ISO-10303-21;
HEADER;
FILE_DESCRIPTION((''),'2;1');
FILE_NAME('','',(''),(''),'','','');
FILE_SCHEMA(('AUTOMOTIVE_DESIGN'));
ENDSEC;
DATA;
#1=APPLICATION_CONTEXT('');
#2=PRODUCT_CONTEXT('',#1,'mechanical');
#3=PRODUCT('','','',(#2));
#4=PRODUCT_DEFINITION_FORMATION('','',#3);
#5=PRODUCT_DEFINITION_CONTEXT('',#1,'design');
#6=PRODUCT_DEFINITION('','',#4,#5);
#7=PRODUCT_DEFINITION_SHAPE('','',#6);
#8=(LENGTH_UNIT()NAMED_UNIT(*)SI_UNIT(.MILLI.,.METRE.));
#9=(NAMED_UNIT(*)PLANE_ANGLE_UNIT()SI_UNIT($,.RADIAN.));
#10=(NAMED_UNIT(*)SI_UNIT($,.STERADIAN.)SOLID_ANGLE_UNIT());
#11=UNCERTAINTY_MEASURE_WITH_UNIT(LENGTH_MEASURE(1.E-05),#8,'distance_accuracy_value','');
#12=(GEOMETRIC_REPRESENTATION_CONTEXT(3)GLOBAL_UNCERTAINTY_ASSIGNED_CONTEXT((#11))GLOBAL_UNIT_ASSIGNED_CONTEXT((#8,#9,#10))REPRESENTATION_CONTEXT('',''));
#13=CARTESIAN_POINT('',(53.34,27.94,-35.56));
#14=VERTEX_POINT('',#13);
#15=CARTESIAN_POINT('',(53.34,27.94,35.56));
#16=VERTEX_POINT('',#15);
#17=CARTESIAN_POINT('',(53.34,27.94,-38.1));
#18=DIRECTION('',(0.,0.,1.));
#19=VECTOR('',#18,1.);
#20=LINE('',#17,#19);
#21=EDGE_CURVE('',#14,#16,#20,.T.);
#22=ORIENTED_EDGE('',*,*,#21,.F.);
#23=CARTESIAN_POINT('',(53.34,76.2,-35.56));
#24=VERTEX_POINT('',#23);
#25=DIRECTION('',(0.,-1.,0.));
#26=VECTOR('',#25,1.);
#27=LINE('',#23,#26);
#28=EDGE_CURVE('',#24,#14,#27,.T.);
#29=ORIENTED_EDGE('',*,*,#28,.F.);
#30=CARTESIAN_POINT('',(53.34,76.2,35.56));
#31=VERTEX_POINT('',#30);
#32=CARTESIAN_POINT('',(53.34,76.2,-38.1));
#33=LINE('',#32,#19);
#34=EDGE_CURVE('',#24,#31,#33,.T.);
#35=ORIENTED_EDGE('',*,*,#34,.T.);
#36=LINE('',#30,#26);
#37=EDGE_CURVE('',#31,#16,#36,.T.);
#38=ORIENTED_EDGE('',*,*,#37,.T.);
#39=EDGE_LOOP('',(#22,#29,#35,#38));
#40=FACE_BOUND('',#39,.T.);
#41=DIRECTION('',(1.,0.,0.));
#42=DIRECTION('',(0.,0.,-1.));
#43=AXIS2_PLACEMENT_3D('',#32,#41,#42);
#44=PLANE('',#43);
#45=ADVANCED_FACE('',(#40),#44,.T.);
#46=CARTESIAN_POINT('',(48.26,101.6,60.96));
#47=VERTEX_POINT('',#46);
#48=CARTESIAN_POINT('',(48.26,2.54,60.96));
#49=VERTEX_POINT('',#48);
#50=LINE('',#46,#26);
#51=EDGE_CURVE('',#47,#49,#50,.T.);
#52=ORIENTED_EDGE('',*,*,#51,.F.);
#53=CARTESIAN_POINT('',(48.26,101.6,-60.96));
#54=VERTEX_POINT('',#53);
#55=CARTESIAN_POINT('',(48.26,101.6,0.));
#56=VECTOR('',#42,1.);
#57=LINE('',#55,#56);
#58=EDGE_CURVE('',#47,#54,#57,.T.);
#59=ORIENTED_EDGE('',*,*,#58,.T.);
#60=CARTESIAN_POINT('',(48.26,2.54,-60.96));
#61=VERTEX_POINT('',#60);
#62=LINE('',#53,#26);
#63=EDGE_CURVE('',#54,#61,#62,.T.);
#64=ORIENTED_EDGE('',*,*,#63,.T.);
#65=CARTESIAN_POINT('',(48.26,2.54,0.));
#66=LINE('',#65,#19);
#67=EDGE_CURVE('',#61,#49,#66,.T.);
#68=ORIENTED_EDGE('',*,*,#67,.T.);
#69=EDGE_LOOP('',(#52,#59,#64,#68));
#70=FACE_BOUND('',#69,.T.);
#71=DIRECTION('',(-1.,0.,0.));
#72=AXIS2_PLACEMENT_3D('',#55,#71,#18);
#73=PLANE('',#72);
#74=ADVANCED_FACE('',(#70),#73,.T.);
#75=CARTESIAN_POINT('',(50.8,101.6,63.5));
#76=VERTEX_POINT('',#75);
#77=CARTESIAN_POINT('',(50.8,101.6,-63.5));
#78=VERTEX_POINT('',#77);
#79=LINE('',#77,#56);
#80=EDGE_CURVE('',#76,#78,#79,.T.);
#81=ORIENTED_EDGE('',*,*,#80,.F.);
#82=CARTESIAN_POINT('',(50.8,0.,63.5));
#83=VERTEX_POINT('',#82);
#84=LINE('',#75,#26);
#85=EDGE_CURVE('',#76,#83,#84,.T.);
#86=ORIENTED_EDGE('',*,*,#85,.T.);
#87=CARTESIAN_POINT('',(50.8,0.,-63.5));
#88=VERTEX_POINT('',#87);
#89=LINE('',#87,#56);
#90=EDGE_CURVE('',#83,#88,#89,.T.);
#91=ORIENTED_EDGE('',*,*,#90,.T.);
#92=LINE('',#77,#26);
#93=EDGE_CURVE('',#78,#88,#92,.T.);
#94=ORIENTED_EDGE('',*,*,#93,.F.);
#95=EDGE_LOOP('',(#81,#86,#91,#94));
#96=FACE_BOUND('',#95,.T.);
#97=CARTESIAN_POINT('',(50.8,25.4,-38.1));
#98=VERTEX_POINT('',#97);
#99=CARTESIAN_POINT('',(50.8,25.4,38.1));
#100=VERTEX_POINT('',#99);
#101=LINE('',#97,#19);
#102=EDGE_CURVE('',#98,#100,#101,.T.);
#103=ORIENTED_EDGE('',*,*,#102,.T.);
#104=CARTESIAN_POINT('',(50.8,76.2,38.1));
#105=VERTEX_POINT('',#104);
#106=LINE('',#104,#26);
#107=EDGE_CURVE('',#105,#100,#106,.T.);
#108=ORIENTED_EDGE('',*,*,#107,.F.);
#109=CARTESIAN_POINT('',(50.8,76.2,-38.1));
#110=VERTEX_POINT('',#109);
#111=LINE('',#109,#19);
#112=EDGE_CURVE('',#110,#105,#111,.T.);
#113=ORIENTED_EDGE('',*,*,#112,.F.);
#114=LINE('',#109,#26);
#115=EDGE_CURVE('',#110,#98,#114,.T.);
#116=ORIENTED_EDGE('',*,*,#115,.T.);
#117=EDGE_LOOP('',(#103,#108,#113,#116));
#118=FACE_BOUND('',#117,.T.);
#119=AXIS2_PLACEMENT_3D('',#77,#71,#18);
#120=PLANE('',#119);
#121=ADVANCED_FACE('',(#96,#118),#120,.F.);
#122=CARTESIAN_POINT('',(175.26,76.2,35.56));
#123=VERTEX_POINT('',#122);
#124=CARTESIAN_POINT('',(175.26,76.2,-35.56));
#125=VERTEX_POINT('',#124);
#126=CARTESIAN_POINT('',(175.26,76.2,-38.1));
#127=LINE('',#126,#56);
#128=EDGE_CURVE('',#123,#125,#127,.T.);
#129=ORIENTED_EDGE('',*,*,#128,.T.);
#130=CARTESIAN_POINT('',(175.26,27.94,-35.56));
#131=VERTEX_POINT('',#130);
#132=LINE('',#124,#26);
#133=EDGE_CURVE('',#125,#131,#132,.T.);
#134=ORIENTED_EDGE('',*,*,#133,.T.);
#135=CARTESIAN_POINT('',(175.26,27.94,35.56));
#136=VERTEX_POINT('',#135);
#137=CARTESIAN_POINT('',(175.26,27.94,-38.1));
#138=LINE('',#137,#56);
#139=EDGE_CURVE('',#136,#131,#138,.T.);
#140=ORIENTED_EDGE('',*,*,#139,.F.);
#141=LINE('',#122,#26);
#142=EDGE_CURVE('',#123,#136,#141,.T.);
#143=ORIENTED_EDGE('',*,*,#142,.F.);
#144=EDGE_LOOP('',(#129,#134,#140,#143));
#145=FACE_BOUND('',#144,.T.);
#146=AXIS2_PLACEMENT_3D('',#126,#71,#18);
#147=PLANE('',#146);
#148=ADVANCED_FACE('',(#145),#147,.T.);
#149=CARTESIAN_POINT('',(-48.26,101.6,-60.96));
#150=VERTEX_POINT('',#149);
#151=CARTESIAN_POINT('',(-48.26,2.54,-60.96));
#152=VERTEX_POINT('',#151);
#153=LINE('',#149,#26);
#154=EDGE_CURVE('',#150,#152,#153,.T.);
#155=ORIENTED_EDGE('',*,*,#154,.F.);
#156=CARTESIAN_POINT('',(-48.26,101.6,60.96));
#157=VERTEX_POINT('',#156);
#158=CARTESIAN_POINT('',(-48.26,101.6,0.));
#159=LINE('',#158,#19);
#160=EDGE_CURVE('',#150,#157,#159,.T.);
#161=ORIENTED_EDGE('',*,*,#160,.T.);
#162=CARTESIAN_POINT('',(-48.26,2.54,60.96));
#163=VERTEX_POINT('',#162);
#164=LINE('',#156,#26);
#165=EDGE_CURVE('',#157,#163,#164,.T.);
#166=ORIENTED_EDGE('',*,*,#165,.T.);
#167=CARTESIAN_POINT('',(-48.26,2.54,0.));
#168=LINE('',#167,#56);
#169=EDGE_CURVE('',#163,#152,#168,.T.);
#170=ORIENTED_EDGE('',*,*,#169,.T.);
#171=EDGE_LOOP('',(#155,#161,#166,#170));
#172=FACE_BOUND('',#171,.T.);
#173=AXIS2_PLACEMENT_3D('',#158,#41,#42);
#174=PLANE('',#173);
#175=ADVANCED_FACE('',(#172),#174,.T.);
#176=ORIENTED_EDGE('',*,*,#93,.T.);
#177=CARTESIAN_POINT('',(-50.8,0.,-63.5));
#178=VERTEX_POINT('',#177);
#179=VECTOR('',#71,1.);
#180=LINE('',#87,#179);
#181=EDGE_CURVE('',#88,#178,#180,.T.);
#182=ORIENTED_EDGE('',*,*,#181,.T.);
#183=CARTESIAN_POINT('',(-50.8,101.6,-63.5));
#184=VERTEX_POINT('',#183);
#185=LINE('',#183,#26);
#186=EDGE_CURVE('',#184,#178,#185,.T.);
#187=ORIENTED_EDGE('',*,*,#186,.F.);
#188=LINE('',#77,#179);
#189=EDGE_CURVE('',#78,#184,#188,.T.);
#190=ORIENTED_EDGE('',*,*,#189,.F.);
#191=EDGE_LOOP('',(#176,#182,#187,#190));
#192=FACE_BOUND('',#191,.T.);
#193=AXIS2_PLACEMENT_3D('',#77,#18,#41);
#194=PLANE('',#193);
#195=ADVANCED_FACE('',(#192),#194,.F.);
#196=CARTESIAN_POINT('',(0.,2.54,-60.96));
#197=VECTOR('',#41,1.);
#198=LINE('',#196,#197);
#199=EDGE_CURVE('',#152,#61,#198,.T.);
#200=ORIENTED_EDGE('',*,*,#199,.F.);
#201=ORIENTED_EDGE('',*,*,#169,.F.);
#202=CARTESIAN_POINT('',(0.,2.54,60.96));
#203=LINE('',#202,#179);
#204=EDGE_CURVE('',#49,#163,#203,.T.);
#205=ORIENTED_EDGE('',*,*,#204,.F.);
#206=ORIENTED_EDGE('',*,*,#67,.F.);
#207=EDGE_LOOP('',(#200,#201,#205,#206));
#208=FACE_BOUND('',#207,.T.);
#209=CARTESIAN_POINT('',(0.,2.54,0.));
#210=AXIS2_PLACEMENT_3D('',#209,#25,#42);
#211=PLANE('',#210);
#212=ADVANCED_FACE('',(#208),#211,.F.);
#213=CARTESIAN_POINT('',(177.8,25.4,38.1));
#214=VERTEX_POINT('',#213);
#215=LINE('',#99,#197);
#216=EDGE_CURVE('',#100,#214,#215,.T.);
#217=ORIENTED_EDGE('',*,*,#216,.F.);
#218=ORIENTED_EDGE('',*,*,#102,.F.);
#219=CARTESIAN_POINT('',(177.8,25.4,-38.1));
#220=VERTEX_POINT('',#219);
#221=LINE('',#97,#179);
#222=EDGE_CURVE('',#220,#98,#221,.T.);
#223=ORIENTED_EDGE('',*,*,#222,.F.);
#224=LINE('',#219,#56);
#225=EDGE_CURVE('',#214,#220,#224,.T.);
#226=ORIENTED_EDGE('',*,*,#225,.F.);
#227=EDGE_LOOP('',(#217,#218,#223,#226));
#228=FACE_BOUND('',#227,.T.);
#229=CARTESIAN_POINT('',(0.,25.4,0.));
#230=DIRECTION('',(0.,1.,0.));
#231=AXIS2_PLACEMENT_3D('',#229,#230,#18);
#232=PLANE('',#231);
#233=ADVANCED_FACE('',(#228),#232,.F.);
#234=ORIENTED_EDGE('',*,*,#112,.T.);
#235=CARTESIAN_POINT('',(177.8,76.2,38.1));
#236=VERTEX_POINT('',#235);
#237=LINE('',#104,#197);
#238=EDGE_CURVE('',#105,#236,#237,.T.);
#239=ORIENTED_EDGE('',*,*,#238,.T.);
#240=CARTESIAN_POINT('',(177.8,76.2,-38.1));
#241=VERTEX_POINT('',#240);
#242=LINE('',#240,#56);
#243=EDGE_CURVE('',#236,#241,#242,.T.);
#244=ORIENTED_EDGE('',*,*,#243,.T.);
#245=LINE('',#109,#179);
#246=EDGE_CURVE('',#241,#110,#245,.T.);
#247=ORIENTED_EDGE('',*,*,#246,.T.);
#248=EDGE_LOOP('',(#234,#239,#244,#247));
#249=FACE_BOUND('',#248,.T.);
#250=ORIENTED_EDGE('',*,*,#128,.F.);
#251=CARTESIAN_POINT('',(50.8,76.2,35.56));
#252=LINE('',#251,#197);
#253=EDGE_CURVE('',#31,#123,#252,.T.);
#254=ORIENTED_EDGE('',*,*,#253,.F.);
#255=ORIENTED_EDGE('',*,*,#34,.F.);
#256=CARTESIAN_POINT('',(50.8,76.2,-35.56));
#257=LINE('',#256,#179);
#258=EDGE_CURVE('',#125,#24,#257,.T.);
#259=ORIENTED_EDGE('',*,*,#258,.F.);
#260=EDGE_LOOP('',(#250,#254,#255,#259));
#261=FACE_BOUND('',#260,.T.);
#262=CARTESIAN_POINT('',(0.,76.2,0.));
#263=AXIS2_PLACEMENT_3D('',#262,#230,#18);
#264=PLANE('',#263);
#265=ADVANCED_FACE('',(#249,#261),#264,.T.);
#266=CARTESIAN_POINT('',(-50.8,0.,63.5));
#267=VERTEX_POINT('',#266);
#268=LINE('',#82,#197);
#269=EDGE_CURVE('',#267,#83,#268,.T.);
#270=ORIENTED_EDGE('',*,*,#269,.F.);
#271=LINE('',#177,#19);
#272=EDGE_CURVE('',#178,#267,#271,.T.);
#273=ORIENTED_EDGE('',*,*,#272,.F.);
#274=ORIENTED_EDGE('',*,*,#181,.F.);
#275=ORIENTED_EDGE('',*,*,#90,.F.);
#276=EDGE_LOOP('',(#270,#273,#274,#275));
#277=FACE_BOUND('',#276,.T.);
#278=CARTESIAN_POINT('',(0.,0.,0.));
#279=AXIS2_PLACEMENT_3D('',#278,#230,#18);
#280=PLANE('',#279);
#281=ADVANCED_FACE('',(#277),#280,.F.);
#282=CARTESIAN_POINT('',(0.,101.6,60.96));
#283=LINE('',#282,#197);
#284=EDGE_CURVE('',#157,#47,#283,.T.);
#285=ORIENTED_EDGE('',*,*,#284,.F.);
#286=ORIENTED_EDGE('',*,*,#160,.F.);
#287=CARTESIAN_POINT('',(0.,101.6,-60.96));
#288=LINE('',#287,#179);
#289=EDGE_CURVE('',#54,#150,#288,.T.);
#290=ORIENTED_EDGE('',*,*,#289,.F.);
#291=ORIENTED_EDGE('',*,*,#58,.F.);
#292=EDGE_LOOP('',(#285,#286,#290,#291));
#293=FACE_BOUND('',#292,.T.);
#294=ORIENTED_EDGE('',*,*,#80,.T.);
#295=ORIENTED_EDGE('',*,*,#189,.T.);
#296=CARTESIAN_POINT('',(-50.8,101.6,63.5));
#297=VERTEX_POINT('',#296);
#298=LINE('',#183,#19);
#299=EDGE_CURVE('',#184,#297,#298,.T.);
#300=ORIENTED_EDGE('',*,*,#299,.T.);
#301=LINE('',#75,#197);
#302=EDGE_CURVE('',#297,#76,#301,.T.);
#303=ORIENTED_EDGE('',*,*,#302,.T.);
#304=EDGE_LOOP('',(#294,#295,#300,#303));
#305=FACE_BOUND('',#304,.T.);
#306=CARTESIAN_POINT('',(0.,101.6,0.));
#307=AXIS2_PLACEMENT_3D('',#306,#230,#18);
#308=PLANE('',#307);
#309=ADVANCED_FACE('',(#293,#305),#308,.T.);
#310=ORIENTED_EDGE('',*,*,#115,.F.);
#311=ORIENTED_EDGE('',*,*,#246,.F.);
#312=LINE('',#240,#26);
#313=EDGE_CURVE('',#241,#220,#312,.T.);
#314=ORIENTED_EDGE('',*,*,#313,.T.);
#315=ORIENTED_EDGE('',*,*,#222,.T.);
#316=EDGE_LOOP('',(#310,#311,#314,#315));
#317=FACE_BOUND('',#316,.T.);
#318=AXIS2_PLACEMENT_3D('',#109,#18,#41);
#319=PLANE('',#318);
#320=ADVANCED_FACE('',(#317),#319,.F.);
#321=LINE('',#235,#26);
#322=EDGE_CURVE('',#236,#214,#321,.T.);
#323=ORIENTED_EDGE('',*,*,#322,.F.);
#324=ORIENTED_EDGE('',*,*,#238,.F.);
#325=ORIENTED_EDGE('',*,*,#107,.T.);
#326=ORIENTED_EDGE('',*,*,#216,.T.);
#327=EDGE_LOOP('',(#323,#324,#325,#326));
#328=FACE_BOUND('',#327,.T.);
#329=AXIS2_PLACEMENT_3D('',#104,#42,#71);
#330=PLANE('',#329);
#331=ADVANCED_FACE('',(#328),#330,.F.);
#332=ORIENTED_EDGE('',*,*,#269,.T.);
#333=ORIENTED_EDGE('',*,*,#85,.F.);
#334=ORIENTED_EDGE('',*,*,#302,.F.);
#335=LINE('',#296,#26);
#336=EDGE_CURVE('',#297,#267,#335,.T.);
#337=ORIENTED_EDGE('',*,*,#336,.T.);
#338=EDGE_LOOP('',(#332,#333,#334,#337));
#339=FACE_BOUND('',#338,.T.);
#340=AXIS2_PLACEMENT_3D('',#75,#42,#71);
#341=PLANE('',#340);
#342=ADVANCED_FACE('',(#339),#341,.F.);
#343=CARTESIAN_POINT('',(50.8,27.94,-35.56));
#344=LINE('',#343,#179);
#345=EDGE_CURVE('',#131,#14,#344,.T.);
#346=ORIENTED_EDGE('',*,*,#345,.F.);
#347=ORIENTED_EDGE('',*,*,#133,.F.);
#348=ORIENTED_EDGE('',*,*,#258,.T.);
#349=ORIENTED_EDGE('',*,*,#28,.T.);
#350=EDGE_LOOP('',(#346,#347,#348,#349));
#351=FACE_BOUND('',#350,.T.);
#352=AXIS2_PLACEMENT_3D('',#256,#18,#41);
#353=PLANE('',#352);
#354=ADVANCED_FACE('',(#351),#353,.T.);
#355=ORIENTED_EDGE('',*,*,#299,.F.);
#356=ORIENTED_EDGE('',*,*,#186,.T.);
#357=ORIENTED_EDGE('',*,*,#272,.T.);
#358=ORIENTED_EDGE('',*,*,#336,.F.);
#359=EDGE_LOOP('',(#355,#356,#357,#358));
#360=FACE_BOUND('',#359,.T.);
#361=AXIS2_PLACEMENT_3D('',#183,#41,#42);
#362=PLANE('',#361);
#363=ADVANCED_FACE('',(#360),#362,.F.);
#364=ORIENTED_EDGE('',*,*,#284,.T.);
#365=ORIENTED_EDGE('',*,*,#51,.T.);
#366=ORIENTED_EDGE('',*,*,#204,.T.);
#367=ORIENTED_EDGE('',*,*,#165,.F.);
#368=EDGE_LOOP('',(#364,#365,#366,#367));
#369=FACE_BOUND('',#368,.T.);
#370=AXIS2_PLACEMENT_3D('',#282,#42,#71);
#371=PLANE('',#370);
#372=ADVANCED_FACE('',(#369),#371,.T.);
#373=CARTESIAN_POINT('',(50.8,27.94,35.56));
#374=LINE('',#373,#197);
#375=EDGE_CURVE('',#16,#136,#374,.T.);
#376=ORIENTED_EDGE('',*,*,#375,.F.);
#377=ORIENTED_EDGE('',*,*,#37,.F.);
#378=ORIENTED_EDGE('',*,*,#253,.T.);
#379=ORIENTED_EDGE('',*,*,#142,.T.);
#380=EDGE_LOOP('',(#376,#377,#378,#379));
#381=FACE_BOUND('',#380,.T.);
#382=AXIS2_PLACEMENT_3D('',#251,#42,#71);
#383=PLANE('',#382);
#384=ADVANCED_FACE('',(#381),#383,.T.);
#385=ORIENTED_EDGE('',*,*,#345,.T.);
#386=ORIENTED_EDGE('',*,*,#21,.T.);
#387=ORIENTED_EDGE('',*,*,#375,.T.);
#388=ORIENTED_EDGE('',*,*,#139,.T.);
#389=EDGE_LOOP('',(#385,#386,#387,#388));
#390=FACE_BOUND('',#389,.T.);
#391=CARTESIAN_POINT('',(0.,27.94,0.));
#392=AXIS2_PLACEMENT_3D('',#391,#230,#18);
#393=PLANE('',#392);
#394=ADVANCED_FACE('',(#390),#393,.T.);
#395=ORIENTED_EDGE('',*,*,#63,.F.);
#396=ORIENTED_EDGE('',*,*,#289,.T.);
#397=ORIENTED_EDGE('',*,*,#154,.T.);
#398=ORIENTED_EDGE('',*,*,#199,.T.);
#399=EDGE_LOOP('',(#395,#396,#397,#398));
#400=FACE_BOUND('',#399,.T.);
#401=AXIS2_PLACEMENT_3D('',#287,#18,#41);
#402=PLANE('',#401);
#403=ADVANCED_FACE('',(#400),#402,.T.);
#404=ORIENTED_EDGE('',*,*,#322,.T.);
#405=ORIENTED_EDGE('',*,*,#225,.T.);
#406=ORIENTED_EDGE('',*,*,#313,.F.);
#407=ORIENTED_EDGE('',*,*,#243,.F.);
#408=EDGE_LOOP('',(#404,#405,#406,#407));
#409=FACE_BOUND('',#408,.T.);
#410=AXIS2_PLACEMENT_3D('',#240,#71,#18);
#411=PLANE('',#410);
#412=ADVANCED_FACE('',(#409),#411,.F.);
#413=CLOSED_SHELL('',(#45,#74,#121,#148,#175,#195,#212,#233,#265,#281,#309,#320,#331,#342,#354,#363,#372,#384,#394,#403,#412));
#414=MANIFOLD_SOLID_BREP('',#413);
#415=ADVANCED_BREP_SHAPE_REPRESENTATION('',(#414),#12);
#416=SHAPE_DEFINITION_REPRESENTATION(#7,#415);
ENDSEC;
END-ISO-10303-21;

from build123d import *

# Parameters (mm, degrees)
SKETCH1_W           = 101.6
SKETCH1_H           = 127
SKETCH1_W_2         = 96.52
SKETCH1_H_2         = 121.92
EXTRUDE_THIN1_DEPTH = 101.6
SKETCH1_2_W         = 101.6
SKETCH1_2_H         = 127
BOSS_EXTRUDE1_DEPTH = 2.54
SKETCH2_W           = 127
SKETCH2_H           = 76.2
SKETCH2_W_2         = 121.92
SKETCH2_H_2         = 71.12
EXTRUDE_THIN2_DEPTH = 50.8
SKETCH2_2_W         = 127
SKETCH2_2_H         = 76.2
BOSS_EXTRUDE2_DEPTH = 2.54


with BuildPart() as part:
    # Sketch1 → Extrude-Thin1 (new body)
    with BuildSketch(Plane(origin=(0, 0, 0), x_dir=(1, 0, 0), z_dir=(0, 1, 0))):
        Rectangle(SKETCH1_W, SKETCH1_H)
        Rectangle(SKETCH1_W_2, SKETCH1_H_2, mode=Mode.SUBTRACT)
    extrude(amount=EXTRUDE_THIN1_DEPTH)

    # Sketch1<2> → Boss-Extrude1 (add)
    with BuildSketch(Plane(origin=(0, 0, 0), x_dir=(1, 0, 0), z_dir=(0, 1, 0))):
        Rectangle(SKETCH1_2_W, SKETCH1_2_H)
    extrude(amount=BOSS_EXTRUDE1_DEPTH)

    # Sketch2 → Extrude-Thin2 (add)
    with BuildSketch(Plane(origin=(0, 25.4, 0), x_dir=(1, 0, 0), z_dir=(0, 1, 0))):
        with Locations((114.3, 0)):
            Rectangle(SKETCH2_W, SKETCH2_H)
        with Locations((114.3, 0)):
            Rectangle(SKETCH2_W_2, SKETCH2_H_2, mode=Mode.SUBTRACT)
    extrude(amount=EXTRUDE_THIN2_DEPTH)

    # Sketch2<2> → Boss-Extrude2 (add)
    with BuildSketch(Plane(origin=(0, 25.4, 0), x_dir=(1, 0, 0), z_dir=(0, 1, 0))):
        with Locations((114.3, 0)):
            Rectangle(SKETCH2_2_W, SKETCH2_2_H)
    extrude(amount=BOSS_EXTRUDE2_DEPTH)


solid = part.part
